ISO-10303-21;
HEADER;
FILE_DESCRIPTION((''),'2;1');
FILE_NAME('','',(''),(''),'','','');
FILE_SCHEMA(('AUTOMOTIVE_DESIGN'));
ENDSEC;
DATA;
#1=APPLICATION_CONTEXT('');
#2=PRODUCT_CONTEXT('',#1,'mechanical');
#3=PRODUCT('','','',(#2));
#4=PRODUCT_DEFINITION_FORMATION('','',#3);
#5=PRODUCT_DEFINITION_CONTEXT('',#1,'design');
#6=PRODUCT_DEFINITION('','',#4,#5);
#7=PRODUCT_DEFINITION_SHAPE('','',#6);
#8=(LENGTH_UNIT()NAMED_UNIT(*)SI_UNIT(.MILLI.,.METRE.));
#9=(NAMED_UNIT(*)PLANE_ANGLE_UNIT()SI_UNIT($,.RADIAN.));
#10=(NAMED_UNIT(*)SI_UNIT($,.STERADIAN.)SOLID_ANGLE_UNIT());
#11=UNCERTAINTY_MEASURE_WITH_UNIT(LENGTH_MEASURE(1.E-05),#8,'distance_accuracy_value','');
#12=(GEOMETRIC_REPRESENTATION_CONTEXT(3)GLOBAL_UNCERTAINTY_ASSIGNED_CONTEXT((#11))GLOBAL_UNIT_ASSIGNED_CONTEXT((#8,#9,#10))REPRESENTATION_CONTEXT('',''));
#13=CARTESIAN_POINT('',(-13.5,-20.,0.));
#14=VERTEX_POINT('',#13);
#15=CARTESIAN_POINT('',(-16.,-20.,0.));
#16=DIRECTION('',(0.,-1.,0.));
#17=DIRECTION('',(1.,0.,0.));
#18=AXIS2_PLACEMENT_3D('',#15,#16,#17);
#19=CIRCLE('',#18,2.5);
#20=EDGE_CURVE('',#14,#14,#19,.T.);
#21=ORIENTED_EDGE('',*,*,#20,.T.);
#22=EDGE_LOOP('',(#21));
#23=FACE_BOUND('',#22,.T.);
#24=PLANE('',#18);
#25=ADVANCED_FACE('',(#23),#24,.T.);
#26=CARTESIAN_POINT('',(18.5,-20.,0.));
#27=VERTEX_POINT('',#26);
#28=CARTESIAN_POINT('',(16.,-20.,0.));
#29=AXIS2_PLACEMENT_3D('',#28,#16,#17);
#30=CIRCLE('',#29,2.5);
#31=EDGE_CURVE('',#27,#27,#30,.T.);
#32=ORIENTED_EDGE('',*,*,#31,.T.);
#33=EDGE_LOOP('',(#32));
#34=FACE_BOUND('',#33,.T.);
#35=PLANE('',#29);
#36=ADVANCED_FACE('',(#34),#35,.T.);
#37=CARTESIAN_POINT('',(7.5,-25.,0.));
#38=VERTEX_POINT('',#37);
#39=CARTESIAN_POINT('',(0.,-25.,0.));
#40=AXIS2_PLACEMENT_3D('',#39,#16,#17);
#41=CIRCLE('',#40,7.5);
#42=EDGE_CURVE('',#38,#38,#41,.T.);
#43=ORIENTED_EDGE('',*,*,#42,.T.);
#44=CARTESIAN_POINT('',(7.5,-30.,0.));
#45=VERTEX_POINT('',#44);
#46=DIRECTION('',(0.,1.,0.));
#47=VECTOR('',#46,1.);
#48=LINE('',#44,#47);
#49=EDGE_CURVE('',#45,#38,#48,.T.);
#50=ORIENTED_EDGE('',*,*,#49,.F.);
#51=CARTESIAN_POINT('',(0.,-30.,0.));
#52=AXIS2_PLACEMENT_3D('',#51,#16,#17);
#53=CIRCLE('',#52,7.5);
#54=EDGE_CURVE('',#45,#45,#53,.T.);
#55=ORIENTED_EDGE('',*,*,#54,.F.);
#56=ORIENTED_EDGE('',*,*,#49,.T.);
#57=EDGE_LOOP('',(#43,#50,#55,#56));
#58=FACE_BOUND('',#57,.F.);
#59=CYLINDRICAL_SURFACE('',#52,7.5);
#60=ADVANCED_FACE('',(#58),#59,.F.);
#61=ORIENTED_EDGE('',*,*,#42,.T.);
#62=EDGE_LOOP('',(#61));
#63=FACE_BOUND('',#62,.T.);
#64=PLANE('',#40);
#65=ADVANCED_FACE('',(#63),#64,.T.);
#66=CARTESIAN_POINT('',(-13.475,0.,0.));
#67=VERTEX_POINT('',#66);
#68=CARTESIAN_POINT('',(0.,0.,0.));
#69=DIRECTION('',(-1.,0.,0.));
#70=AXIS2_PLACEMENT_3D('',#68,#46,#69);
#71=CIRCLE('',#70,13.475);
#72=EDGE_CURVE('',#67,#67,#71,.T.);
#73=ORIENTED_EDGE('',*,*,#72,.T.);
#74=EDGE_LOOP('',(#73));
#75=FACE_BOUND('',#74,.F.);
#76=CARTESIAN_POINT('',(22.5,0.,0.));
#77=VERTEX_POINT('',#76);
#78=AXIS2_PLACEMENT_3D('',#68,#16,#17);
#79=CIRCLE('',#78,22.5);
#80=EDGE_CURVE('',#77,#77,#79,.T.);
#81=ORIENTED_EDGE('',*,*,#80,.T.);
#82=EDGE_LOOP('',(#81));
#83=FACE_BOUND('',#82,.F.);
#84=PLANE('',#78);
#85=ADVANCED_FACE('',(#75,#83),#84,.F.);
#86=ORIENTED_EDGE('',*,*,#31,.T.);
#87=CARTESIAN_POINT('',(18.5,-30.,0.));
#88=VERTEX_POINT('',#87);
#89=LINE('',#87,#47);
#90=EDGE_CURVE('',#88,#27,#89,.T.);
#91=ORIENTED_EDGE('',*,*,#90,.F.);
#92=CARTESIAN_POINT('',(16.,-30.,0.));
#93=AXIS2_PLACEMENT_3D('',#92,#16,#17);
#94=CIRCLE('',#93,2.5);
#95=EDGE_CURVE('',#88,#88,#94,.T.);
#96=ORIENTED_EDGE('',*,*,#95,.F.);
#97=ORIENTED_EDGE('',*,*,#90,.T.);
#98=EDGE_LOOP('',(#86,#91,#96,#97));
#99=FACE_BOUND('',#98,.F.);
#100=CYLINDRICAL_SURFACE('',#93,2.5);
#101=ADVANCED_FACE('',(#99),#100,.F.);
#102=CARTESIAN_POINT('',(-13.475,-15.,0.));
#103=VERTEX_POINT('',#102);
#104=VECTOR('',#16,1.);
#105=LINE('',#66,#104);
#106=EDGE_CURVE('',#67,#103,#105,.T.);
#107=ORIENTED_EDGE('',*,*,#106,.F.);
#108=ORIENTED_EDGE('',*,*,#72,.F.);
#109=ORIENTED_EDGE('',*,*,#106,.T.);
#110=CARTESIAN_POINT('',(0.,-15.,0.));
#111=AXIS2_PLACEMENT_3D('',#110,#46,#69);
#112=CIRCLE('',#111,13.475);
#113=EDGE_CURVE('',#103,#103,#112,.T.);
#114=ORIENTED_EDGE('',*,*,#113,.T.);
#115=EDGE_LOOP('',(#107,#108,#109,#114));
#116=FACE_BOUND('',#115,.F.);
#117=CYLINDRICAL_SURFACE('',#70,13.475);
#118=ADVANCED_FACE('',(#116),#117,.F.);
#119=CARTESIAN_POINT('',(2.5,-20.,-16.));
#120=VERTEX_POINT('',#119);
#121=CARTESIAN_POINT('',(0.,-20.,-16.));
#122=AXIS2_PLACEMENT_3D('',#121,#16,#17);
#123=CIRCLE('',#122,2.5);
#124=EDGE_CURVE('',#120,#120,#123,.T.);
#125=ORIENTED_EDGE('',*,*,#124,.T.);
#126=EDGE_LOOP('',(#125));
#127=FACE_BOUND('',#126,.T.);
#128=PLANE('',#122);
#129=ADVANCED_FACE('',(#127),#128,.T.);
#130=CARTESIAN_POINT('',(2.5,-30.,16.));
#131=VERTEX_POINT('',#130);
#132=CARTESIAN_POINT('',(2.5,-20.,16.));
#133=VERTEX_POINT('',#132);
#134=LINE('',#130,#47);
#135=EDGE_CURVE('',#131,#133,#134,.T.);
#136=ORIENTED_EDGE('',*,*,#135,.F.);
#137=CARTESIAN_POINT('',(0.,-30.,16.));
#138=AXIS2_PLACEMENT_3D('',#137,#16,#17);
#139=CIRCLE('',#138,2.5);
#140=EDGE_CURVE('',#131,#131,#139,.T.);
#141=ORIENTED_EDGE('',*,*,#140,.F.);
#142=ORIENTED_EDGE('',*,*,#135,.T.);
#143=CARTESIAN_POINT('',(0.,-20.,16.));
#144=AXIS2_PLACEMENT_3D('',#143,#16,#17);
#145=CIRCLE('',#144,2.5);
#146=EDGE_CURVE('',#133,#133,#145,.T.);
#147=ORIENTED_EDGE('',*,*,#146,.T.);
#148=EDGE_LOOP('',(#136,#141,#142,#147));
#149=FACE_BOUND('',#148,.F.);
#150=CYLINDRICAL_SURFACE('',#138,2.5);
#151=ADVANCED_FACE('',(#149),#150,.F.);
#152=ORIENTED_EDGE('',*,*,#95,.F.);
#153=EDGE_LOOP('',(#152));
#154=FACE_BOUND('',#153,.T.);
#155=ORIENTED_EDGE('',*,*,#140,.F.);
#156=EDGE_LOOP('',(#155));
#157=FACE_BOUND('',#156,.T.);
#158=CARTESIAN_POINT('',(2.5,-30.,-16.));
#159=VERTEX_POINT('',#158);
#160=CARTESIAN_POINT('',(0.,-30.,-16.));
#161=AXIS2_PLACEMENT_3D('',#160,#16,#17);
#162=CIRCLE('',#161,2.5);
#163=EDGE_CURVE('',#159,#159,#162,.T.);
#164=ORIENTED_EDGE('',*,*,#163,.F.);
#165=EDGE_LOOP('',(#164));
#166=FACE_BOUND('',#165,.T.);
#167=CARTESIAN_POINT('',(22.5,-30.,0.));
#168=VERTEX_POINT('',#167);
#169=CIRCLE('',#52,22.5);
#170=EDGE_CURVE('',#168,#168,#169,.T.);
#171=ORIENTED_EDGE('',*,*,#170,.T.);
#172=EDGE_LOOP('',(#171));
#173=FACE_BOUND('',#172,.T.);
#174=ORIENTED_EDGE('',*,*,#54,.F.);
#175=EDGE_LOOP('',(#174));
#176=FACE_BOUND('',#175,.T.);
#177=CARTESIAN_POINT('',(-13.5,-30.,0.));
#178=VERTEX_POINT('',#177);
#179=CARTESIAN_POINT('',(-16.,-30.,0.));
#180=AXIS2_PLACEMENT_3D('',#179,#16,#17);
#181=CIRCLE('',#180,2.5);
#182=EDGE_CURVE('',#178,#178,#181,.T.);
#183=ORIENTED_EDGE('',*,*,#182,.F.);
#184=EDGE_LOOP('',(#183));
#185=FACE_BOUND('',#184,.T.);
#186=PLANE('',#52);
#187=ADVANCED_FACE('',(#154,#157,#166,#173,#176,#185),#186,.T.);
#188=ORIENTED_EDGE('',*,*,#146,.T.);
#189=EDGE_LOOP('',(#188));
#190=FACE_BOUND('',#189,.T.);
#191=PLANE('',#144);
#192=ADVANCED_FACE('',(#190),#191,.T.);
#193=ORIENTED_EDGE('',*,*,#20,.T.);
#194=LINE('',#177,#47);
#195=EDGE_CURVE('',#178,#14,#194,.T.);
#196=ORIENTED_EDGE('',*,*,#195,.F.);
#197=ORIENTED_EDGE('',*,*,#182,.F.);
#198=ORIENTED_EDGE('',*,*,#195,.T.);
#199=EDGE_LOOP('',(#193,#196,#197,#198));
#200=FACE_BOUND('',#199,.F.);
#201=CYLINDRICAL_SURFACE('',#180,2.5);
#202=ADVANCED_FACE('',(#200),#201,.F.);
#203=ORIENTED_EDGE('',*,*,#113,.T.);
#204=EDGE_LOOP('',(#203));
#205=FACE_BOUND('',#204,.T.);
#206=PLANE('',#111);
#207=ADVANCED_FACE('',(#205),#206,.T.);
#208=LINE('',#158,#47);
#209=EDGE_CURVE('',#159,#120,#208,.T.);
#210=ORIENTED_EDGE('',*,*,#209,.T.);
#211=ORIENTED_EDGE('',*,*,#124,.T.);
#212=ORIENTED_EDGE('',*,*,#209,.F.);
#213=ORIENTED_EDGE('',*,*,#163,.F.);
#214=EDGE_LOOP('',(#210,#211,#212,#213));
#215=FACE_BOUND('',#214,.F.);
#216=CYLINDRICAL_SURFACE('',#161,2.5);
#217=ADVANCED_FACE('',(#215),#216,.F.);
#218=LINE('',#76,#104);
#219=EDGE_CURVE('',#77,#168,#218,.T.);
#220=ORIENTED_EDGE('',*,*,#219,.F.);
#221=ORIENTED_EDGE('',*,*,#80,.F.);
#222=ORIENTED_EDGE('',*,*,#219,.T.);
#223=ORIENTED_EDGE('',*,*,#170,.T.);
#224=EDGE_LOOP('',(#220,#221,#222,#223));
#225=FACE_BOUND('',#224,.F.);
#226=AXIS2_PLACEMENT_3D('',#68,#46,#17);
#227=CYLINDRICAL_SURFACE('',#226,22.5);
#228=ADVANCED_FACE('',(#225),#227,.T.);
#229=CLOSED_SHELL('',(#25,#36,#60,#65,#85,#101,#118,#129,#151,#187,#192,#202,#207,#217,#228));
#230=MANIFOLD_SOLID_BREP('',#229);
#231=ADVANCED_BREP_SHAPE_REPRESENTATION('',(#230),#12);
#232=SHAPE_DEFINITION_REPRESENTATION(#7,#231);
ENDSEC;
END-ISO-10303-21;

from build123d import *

# Parameters (mm, degrees)
F0_R     = 22.5
F1_DEPTH = 30
F2_R     = 7.5
F3_DEPTH = 5
F4_R     = 2.5
F5_DEPTH = 10
F6_R     = 13.475
F7_DEPTH = 15


with BuildPart() as f1:
    # F0 (on Front) → F1 (new body)
    with BuildSketch(Plane.XZ):
        Circle(F0_R)
    extrude(amount=F1_DEPTH)

    # F2 (on face) → F3 (cut)
    with BuildSketch(Plane.XZ.offset(30)):
        Circle(F2_R)
    extrude(amount=-F3_DEPTH, mode=Mode.SUBTRACT)

    # F4 (on face) → F5 (cut)
    with BuildSketch(Plane.XZ.offset(30)):
        with Locations((-16, 0)):
            Circle(F4_R)
        with Locations((0, 16)):
            Circle(F4_R)
        with Locations((16, 0)):
            Circle(F4_R)
        with Locations((0, -16)):
            Circle(F4_R)
    extrude(amount=-F5_DEPTH, mode=Mode.SUBTRACT)

    # F6 (on face) → F7 (cut)
    with BuildSketch(Plane(origin=(0, 0, 0), x_dir=(-1, 0, 0), z_dir=(0, 1, 0))):
        Circle(F6_R)
    extrude(amount=-F7_DEPTH, mode=Mode.SUBTRACT)


solid = f1.part
